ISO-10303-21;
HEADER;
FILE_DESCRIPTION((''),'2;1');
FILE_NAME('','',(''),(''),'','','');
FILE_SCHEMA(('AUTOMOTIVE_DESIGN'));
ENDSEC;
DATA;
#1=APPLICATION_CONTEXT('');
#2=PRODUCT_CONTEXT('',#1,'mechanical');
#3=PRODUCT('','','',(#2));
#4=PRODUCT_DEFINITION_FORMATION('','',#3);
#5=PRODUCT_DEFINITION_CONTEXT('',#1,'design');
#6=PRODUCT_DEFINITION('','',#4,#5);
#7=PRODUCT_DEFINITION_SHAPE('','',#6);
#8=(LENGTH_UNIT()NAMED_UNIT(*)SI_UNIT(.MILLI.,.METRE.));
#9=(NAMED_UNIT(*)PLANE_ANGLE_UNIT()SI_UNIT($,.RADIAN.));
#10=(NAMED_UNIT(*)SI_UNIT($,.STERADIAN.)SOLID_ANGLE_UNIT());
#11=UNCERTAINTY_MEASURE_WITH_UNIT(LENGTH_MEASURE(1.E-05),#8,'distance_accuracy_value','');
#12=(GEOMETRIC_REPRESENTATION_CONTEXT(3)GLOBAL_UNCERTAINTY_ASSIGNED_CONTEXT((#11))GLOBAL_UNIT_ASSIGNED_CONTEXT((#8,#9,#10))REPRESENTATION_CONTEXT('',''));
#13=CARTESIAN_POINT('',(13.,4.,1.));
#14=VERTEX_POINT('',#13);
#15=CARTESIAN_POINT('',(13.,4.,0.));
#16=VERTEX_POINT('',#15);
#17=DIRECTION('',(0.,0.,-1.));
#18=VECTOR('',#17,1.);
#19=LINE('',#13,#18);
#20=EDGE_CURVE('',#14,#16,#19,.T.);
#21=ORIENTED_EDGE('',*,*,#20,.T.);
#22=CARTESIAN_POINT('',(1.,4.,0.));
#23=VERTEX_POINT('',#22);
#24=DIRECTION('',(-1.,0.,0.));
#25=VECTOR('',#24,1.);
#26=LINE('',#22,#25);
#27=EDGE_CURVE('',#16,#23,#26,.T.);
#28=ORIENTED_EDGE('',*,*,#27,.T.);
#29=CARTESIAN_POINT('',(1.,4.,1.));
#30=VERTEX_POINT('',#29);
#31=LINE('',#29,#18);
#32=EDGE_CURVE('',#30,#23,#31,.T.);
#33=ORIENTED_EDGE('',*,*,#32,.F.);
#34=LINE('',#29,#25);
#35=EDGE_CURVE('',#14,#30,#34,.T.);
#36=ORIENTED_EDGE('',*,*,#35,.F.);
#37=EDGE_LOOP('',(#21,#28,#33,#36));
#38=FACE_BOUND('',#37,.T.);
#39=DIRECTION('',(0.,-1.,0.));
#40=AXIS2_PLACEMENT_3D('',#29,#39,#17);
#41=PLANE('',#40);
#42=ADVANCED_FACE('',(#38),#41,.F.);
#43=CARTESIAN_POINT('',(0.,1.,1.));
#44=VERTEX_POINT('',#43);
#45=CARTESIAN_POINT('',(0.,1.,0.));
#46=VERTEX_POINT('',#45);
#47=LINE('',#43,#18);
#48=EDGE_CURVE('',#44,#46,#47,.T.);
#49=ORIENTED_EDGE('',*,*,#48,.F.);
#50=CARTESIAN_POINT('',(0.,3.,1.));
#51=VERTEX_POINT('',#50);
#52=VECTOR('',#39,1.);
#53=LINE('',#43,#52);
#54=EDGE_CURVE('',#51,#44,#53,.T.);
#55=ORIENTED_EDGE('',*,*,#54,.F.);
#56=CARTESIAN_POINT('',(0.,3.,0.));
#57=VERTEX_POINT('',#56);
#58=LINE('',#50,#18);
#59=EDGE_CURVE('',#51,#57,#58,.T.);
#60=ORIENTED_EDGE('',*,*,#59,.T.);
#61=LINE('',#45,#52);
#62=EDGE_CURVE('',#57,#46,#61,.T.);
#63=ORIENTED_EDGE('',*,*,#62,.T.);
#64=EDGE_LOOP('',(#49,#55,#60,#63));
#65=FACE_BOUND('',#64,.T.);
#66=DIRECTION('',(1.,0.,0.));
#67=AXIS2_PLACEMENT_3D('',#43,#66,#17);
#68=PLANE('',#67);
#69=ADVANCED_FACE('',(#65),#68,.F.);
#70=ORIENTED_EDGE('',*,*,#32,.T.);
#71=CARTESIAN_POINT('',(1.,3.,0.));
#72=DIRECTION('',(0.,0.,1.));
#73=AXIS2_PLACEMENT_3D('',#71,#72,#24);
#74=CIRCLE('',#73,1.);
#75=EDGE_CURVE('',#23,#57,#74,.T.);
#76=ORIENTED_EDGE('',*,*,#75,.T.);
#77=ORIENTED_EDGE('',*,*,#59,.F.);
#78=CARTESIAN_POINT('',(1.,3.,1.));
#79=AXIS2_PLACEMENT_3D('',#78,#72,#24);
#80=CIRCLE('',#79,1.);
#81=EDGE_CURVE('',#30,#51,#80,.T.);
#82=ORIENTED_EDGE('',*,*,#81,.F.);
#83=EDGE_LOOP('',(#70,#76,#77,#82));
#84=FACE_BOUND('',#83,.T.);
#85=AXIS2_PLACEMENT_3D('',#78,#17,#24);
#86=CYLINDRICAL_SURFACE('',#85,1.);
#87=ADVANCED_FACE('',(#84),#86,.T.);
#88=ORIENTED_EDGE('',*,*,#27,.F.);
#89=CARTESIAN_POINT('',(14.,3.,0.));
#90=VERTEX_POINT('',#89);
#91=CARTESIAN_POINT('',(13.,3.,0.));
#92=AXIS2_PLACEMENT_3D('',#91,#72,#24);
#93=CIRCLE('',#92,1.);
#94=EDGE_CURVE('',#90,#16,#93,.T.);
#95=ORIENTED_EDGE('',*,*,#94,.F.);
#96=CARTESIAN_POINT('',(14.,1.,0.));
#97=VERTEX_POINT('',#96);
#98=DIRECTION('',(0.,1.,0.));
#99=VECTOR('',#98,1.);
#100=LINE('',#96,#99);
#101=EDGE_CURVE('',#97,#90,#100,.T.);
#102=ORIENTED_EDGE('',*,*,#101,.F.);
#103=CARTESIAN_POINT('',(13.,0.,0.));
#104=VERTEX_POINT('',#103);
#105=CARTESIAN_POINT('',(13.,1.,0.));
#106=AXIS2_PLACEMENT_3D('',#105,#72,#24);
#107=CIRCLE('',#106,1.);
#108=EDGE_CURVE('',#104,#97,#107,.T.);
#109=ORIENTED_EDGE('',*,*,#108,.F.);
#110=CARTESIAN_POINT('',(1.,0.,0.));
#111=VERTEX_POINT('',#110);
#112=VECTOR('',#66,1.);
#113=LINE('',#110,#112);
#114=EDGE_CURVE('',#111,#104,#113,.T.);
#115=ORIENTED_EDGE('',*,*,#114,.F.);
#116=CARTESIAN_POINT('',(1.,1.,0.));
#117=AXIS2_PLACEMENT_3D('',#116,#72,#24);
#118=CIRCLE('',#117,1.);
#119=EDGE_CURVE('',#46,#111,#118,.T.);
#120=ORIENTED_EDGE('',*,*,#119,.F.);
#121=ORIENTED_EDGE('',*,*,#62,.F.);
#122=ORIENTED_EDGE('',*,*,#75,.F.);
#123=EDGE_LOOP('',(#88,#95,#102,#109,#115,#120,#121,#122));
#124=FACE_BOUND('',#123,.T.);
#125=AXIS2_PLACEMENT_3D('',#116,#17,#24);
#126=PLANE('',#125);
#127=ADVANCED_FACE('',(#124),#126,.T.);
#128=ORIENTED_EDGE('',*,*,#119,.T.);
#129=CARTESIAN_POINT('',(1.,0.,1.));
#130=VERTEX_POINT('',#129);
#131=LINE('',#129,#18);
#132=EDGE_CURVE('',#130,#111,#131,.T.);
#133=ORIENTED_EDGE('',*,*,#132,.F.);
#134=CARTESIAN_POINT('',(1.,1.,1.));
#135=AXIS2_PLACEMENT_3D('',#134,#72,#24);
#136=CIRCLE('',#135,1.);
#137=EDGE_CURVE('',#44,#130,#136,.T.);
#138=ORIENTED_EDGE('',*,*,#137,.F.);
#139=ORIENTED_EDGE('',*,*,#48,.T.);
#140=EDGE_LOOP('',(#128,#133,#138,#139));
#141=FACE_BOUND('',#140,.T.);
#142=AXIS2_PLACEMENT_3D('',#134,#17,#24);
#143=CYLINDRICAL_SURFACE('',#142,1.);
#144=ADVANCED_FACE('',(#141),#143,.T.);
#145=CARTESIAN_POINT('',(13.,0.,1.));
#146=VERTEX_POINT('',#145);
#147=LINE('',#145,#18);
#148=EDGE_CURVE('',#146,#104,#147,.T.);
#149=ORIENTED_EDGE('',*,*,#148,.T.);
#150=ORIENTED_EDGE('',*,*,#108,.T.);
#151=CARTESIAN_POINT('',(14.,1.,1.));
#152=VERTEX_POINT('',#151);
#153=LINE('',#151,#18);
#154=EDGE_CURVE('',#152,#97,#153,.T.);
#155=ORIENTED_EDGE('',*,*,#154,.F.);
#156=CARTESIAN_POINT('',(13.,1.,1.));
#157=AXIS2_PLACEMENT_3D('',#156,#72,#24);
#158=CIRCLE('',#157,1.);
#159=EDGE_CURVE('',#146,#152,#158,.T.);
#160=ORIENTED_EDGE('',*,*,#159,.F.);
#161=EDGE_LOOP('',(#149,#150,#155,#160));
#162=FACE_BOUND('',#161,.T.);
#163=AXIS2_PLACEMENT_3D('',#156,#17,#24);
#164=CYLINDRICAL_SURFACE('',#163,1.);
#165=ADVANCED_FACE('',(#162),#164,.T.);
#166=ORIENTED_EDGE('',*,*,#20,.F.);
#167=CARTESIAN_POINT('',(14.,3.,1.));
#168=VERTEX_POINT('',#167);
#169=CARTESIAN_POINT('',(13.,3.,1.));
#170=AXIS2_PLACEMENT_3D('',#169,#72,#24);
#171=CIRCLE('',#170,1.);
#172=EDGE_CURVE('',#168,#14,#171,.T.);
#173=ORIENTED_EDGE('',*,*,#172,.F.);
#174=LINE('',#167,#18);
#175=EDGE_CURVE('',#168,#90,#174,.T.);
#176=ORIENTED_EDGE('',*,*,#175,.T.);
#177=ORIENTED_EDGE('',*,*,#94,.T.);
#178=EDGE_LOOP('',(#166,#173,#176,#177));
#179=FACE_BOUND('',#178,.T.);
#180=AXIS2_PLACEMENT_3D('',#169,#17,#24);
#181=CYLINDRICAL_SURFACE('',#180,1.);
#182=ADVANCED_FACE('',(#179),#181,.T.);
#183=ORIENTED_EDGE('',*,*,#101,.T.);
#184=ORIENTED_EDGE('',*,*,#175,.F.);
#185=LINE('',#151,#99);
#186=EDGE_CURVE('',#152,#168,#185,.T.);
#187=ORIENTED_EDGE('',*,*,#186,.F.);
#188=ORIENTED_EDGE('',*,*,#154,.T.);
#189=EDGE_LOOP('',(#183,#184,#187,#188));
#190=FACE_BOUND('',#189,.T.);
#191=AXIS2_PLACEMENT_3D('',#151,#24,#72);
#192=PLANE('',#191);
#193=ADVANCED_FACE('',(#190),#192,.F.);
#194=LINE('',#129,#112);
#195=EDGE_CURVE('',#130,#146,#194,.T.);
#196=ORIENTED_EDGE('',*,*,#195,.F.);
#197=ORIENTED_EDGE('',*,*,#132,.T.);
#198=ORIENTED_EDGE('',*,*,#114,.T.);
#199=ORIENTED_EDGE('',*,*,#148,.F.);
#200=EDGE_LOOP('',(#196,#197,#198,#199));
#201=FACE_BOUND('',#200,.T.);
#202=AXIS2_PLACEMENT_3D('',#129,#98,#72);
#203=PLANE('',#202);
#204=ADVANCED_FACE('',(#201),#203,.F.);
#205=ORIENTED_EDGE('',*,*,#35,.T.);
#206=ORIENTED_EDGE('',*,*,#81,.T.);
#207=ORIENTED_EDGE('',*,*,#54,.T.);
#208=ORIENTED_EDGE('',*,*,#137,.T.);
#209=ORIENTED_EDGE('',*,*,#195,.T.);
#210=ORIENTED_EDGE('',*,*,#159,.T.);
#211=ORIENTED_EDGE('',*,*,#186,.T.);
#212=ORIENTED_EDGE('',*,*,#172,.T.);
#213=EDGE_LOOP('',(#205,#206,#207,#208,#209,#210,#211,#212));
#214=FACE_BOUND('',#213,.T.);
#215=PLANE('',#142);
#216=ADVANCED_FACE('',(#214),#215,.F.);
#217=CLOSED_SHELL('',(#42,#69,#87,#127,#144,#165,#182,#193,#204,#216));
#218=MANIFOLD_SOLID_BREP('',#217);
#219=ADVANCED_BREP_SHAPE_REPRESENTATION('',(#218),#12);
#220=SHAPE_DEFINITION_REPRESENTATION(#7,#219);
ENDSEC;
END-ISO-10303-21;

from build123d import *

# Parameters (mm, degrees)
AUFSATZ_LINEAR_AUSTRAGEN1_DEPTH = 1


with BuildPart() as part:
    # Skizze1 → Aufsatz-Linear austragen1 (new body)
    with BuildSketch(Plane.XY):
        with BuildLine():
            Line((1, 0), (13, 0))
            ThreePointArc((13, 0), (13.707106781, 0.292893219), (14, 1))
            Line((14, 1), (14, 3))
            ThreePointArc((14, 3), (13.707106781, 3.707106781), (13, 4))
            Line((13, 4), (1, 4))
            ThreePointArc((1, 4), (0.292893219, 3.707106781), (0, 3))
            Line((0, 3), (0, 1))
            ThreePointArc((0, 1), (0.292893219, 0.292893219), (1, 0))
        make_face()
    extrude(amount=AUFSATZ_LINEAR_AUSTRAGEN1_DEPTH)


solid = part.part
